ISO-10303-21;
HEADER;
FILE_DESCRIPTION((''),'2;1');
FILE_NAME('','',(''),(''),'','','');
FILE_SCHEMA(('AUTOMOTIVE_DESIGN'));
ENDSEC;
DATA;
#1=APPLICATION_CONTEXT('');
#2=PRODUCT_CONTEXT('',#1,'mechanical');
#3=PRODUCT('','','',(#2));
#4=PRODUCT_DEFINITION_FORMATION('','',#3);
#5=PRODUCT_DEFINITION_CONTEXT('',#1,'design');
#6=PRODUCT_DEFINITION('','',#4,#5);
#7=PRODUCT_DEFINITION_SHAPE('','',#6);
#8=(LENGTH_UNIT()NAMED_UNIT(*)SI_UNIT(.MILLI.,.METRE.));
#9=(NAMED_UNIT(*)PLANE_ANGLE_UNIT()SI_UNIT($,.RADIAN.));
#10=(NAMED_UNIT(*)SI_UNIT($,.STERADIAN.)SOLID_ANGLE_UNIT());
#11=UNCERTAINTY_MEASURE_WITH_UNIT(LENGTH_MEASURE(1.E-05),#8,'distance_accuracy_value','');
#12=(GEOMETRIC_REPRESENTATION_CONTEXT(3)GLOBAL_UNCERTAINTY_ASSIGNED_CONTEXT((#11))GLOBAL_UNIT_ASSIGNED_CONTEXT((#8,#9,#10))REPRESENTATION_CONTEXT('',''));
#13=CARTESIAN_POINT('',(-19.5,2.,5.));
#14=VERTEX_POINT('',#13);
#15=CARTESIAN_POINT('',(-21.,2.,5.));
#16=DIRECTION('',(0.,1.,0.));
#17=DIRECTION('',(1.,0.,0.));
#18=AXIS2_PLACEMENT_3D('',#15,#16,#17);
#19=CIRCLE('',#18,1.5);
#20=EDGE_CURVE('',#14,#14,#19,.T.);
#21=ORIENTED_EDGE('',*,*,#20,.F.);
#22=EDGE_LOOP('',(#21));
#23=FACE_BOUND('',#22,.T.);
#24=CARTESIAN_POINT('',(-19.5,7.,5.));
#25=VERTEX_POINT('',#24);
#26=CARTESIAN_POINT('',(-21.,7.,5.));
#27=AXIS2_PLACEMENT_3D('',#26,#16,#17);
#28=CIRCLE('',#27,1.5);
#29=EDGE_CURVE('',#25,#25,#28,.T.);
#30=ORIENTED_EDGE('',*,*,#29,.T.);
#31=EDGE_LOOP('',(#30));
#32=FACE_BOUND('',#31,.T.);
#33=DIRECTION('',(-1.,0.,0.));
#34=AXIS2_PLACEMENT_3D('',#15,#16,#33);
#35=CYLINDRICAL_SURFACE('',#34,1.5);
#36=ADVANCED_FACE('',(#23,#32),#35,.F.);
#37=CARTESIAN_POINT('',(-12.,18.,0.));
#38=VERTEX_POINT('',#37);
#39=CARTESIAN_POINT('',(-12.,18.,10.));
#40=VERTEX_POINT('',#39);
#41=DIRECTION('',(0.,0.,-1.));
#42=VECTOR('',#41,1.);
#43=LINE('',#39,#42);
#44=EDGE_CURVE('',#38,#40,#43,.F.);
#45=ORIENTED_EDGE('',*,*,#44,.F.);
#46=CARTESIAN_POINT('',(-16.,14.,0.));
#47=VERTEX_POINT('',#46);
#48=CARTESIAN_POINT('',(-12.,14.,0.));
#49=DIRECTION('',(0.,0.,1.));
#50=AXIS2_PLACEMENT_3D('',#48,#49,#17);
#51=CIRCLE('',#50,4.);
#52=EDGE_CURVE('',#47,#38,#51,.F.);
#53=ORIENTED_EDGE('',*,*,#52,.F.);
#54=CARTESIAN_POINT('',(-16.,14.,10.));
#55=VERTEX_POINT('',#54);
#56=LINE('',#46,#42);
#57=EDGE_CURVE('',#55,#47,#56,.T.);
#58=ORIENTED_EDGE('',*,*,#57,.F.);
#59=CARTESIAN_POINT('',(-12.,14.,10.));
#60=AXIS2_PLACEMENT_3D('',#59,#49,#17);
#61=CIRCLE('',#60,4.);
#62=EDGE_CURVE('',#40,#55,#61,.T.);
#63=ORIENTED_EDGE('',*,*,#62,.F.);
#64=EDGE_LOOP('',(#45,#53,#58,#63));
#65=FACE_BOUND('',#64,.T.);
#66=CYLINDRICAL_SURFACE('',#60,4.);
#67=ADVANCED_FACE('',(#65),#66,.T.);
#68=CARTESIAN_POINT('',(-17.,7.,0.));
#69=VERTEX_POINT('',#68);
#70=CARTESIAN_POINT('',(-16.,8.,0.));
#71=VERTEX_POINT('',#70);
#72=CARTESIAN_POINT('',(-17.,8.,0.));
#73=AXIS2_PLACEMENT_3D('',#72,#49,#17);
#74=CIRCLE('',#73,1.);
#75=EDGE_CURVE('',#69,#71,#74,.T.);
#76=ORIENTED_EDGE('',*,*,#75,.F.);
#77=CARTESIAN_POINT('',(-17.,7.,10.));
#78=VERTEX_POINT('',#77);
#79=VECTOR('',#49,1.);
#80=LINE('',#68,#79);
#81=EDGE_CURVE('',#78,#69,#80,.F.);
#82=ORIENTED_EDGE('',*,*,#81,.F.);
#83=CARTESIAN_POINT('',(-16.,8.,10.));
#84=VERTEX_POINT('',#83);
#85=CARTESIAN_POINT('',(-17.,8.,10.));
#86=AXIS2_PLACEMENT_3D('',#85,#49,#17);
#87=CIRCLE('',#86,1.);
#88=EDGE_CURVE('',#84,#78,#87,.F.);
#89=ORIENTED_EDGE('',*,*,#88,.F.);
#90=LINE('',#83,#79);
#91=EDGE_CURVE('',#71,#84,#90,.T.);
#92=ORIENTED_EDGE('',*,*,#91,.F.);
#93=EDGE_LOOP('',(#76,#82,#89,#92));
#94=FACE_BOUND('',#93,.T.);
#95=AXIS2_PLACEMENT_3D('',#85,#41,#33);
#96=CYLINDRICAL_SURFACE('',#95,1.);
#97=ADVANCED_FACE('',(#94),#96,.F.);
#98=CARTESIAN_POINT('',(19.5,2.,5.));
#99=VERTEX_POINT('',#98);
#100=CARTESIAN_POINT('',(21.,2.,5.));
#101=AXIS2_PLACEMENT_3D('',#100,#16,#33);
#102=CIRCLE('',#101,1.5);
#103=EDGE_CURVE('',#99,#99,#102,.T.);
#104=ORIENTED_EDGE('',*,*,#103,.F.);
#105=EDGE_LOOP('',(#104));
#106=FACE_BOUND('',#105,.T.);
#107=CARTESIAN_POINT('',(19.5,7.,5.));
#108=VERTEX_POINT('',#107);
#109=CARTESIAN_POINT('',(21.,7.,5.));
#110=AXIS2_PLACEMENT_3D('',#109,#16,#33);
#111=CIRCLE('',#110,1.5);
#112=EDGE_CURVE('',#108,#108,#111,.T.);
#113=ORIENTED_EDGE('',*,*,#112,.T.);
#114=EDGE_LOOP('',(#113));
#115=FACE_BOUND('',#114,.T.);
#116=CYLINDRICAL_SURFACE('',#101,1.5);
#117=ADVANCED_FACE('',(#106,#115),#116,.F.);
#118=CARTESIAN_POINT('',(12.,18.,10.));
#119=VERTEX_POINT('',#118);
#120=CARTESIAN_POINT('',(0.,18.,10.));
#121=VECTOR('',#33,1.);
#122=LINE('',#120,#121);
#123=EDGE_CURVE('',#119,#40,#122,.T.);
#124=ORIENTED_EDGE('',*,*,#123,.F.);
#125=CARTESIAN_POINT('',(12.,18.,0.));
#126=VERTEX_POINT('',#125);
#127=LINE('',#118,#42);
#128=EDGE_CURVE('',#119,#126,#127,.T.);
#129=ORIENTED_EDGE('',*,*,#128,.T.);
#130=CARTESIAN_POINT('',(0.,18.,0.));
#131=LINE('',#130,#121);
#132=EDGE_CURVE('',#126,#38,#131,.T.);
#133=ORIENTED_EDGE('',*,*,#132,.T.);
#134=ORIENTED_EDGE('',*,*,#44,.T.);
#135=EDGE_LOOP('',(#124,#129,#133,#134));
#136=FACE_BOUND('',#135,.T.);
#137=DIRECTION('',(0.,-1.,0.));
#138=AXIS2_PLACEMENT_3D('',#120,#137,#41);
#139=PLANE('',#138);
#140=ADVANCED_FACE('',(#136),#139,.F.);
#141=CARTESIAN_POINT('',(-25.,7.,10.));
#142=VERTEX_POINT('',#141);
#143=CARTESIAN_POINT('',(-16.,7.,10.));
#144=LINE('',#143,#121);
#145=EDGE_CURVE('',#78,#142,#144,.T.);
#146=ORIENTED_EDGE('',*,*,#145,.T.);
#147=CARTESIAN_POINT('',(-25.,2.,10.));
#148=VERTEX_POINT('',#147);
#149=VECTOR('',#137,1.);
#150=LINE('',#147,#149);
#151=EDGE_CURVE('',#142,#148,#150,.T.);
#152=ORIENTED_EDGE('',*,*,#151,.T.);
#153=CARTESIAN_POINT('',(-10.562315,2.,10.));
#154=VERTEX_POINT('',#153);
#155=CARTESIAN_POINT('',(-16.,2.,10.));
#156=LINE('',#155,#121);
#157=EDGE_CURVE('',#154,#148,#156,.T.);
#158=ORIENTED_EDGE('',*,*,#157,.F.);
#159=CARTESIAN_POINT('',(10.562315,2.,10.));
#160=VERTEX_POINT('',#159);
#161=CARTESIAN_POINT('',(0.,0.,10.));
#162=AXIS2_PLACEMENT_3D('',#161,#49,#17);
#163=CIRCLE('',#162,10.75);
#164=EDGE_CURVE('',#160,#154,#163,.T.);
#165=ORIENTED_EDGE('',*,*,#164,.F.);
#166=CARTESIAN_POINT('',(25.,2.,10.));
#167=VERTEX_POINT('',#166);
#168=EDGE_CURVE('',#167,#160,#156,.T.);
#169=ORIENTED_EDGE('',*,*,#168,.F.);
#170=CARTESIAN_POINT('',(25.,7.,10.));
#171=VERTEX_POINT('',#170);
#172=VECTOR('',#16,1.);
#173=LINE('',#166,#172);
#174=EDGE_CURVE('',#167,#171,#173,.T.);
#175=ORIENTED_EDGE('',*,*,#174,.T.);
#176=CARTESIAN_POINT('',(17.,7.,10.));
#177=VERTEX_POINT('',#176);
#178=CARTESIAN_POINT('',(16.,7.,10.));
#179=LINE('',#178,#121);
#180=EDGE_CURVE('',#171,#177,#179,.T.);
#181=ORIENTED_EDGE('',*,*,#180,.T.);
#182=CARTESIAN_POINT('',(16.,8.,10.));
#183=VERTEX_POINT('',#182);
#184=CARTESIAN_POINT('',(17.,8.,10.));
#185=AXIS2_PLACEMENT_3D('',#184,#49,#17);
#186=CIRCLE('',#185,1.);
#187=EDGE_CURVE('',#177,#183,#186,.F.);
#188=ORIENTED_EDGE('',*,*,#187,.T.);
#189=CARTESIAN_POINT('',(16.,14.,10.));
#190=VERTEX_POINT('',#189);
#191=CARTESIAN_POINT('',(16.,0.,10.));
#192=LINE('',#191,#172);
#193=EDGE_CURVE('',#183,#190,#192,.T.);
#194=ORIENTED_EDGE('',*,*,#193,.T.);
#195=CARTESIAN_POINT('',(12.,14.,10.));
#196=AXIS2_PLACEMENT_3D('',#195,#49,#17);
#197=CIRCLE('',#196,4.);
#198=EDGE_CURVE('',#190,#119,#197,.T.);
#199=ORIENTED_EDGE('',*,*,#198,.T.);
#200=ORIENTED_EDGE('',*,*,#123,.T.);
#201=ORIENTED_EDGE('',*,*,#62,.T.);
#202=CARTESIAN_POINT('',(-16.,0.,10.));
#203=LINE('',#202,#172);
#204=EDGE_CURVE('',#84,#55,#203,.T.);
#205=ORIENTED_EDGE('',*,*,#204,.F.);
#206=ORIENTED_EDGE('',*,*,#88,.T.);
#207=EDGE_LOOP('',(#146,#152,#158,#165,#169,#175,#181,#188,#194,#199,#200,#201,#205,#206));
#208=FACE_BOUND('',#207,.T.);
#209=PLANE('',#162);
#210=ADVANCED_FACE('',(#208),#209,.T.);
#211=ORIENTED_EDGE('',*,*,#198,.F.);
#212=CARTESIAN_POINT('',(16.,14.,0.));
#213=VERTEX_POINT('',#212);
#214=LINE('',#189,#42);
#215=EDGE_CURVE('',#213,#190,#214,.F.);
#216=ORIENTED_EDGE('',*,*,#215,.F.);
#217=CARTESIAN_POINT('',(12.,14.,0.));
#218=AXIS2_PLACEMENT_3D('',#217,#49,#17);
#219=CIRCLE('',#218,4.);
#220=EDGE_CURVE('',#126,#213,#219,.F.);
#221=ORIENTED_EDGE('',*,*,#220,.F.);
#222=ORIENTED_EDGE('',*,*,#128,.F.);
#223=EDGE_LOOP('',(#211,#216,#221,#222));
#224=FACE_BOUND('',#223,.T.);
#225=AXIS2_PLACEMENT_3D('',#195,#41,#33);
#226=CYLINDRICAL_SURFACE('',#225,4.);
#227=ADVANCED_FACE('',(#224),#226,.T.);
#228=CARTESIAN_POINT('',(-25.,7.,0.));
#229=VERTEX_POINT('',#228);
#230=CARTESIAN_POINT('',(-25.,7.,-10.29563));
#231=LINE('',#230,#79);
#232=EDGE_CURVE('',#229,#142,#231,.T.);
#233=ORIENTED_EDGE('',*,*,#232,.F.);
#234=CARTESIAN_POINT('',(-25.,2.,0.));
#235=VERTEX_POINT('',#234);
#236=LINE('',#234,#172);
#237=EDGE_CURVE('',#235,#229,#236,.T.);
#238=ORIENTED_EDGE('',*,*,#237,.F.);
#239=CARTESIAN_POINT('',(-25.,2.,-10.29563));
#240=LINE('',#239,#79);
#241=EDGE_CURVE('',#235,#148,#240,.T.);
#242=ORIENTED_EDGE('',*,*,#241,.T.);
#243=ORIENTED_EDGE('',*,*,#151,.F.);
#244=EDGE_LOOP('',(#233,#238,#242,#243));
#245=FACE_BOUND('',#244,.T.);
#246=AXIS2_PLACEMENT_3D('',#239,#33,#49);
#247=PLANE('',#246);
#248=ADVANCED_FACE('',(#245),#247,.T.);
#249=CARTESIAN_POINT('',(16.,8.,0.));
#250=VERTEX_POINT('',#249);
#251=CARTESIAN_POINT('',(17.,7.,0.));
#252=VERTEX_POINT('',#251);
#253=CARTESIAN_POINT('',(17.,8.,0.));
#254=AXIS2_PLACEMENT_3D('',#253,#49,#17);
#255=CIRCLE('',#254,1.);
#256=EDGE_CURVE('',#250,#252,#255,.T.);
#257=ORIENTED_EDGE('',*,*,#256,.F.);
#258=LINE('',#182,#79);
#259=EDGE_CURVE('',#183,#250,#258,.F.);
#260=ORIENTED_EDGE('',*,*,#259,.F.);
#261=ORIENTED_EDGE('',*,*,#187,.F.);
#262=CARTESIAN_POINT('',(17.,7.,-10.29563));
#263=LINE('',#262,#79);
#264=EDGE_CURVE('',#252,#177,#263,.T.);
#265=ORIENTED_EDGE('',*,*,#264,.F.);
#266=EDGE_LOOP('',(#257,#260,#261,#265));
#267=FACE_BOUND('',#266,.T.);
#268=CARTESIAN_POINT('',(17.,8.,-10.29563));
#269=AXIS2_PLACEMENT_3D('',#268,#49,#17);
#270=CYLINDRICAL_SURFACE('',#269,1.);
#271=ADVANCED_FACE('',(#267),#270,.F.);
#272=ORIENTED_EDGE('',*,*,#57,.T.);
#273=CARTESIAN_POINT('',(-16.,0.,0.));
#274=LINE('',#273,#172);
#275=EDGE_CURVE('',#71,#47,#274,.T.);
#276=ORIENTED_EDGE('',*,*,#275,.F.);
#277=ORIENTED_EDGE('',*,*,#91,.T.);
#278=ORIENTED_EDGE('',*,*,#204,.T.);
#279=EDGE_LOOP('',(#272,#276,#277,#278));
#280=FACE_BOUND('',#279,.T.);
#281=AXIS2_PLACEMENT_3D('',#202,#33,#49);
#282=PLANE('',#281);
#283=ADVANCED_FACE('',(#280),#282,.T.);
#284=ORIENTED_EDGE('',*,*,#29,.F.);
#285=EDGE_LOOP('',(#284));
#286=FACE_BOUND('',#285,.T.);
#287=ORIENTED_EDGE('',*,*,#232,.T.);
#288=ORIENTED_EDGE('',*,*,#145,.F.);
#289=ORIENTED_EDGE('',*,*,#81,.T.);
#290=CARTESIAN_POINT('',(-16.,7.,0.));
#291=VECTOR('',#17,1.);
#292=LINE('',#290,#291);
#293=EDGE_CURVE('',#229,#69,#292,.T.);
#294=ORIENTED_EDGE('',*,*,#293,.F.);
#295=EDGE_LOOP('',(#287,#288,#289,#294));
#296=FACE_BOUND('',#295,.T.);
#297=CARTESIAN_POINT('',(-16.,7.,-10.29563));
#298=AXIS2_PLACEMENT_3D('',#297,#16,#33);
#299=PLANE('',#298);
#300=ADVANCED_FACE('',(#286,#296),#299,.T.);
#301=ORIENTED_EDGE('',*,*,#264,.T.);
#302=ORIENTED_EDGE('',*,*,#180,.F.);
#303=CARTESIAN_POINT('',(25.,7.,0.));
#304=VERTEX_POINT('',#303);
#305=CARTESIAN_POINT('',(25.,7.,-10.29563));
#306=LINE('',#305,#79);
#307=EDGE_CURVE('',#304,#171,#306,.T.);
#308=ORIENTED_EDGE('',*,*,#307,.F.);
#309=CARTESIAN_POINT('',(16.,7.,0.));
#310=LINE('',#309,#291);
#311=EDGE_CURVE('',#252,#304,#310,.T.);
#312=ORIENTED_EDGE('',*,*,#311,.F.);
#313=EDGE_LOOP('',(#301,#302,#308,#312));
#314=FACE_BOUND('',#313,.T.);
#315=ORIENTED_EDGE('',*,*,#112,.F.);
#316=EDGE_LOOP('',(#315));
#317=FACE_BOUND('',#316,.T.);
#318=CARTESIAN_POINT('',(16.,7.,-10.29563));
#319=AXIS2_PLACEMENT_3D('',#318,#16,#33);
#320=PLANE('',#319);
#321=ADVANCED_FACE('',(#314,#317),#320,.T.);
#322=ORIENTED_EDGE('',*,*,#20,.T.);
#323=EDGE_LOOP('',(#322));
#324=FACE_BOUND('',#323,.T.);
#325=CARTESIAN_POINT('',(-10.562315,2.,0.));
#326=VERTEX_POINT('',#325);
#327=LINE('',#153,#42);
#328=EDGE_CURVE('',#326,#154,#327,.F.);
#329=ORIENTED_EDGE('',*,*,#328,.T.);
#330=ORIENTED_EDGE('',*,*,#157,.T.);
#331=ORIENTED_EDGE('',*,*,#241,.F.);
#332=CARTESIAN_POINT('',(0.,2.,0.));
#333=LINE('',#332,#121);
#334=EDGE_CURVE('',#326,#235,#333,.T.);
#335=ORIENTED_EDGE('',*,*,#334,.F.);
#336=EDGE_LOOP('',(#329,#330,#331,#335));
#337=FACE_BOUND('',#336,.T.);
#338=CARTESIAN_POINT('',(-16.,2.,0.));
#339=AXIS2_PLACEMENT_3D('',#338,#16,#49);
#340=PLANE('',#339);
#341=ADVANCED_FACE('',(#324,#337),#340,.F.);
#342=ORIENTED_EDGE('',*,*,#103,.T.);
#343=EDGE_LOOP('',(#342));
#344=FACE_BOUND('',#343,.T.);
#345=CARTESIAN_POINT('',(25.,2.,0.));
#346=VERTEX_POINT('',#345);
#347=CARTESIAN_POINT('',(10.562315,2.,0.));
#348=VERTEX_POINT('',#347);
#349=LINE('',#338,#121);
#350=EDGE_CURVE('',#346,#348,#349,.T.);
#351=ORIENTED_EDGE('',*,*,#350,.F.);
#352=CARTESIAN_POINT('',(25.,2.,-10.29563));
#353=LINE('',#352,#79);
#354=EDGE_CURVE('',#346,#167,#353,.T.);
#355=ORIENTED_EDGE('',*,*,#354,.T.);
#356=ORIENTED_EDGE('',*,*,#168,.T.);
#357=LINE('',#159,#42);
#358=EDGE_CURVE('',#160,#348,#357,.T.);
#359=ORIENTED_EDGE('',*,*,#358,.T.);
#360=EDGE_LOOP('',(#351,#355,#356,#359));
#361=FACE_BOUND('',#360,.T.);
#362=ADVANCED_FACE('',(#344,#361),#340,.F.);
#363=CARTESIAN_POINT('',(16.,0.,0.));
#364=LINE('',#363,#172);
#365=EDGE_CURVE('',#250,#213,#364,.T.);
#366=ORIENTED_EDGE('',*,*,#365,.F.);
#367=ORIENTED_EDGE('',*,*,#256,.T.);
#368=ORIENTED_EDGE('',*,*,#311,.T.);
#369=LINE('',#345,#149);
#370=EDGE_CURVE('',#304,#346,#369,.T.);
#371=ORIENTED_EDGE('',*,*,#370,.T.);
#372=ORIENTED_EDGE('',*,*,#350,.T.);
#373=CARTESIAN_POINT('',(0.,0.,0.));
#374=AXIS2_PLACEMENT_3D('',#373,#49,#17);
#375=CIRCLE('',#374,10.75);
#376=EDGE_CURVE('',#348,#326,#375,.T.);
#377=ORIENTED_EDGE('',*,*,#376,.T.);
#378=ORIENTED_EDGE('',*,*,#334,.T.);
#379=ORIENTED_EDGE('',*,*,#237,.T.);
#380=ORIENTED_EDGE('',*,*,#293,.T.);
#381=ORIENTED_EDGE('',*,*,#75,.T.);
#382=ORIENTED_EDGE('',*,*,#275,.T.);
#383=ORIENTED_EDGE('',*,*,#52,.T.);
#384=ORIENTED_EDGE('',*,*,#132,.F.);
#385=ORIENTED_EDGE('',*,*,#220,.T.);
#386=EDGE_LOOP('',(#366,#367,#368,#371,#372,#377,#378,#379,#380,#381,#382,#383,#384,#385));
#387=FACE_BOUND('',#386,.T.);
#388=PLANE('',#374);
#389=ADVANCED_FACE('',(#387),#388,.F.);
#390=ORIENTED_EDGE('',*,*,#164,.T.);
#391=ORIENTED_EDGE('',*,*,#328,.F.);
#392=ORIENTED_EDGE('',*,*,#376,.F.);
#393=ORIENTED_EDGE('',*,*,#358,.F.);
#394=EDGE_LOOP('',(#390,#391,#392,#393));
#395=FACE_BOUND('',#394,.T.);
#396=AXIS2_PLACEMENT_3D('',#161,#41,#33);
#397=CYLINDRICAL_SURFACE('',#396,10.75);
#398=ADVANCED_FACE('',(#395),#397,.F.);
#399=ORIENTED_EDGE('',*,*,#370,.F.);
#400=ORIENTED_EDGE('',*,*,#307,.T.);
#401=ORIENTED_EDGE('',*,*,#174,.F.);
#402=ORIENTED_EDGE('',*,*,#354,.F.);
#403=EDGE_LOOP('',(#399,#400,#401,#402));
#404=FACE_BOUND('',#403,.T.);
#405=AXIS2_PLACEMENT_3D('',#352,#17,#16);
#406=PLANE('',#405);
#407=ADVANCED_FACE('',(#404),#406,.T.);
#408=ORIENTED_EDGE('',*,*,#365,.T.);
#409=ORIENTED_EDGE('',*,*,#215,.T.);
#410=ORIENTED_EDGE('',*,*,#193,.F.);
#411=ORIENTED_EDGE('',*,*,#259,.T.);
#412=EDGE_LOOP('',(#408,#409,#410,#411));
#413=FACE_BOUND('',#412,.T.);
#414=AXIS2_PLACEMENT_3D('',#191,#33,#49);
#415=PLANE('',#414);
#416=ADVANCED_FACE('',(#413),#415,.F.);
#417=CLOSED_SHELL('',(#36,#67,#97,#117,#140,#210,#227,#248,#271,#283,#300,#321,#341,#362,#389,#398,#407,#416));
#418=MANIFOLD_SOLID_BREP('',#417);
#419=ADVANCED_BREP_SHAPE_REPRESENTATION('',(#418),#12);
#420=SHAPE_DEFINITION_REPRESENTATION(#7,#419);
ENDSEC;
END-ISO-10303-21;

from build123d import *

# Parameters (mm, degrees)
EXTRUDE_1_DEPTH     = 10
SKETCH_3_W          = 32
SKETCH_3_H          = 2
CUT_EXTRUDE_2_DEPTH = 27.076809621
SKETCH_5_W          = 9
SKETCH_5_H          = 5
EXTRUDE_2_DEPTH     = 10
FILLET_1_R          = 1
SKETCH_6_R          = 1.5
CUT_EXTRUDE_3_DEPTH = 30.086079144
FILLET_2_R          = 4


with BuildPart() as part:
    # 草图1 → 凸台-拉伸1 (new body)
    with BuildSketch(Plane.XY):
        with BuildLine():
            ThreePointArc((-10.75, 0), (0, 10.75), (10.75, 0))
            Line((10.75, 0), (16, 0))
            Line((16, 0), (16, 18))
            Line((16, 18), (-16, 18))
            Line((-16, 18), (-16, 0))
            Line((-16, 0), (-10.75, 0))
        make_face()
    extrude(amount=EXTRUDE_1_DEPTH)

    # 草图3 → 切除-拉伸2 (cut, through all)
    with BuildSketch(Plane.XY.offset(10)):
        with Locations((0, 1)):
            Rectangle(SKETCH_3_W, SKETCH_3_H)
    extrude(amount=-CUT_EXTRUDE_2_DEPTH, mode=Mode.SUBTRACT)

    # 草图5 → 凸台-拉伸2 (add)
    with BuildSketch(Plane.XY.offset(10)):
        with Locations((20.5, 4.5)):
            Rectangle(SKETCH_5_W, SKETCH_5_H)
        with Locations((-20.5, 4.5)):
            Rectangle(SKETCH_5_W, SKETCH_5_H)
    extrude(amount=-EXTRUDE_2_DEPTH)

    # 圆角1
    fillet_1_edges = [part.edges().sort_by_distance(p)[0] for p in [
        (-16, 7, 5),
        (16, 7, 5),
    ]]
    fillet(fillet_1_edges, radius=FILLET_1_R)

    # 草图6 → 切除-拉伸3 (cut, through all)
    with BuildSketch(Plane(origin=(0, 7, 0), x_dir=(1, 0, 0), z_dir=(0, 1, 0))):
        with Locations(Location((21, -5, 0), (0, 0, 180))):
            Circle(SKETCH_6_R)
        with Locations((-21, -5)):
            Circle(SKETCH_6_R)
    extrude(amount=-CUT_EXTRUDE_3_DEPTH, mode=Mode.SUBTRACT)

    # 圆角2
    fillet_2_edges = [part.edges().sort_by_distance(p)[0] for p in [
        (-16, 18, 5),
        (16, 18, 5),
    ]]
    fillet(fillet_2_edges, radius=FILLET_2_R)


solid = part.part
